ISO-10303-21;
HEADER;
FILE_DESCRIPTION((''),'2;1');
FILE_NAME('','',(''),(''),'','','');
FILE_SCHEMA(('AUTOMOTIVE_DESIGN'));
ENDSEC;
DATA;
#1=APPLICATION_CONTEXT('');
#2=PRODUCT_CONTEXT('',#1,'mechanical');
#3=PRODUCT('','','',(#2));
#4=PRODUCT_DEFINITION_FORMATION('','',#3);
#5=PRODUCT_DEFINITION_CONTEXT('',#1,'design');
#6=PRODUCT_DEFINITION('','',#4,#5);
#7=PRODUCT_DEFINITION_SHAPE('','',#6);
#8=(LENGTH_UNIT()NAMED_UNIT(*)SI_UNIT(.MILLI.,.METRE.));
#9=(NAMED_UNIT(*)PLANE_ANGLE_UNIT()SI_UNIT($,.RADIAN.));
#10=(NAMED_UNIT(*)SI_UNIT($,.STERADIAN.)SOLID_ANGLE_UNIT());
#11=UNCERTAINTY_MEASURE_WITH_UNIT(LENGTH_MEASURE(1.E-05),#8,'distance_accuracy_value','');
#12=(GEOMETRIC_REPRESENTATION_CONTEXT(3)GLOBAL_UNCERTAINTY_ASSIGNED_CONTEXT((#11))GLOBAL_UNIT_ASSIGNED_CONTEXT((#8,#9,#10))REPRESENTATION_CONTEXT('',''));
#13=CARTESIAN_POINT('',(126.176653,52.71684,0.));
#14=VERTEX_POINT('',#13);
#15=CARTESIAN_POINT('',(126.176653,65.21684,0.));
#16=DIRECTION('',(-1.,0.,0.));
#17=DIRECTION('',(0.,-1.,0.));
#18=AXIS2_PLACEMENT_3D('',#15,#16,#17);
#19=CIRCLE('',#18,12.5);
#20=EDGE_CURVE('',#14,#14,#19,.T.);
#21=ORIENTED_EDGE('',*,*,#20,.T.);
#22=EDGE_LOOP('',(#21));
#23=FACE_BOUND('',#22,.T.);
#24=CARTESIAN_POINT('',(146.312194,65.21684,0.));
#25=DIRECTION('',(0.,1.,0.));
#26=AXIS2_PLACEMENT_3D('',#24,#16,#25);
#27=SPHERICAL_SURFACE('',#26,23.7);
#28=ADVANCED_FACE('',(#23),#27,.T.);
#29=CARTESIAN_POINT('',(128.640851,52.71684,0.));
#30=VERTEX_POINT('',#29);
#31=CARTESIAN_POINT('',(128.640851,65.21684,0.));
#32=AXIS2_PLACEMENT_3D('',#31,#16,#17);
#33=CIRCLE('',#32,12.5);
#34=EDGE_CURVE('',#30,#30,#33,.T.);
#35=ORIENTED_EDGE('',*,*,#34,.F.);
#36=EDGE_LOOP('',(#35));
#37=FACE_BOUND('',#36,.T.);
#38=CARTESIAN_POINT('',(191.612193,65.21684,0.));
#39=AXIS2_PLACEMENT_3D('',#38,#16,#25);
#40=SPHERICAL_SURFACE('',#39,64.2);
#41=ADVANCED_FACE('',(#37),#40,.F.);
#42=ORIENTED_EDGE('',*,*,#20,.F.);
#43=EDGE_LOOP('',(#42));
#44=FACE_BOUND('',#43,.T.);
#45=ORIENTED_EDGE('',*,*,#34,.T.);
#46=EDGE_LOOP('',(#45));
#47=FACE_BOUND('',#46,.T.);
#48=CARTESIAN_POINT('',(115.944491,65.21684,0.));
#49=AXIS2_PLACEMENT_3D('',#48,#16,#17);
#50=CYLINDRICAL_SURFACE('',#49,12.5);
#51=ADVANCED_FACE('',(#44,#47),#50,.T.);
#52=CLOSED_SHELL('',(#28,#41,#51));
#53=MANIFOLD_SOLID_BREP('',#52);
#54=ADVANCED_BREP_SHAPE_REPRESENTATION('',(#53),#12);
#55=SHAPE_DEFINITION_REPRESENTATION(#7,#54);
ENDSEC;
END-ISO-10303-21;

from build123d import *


with BuildPart() as part:
    # 草图1 → 旋转1 (revolve)
    with BuildSketch(Plane.XY):
        with BuildLine():
            Line((128.640850795, 77.716840471), (126.176652981, 77.716840471))
            ThreePointArc((126.176652981, 77.716840471), (123.520722541, 71.715982145), (122.612193698, 65.216840471))
            Line((122.612193698, 65.216840471), (127.412193483, 65.216840471))
            ThreePointArc((127.412193483, 65.216840471), (127.720096161, 71.496959872), (128.640850795, 77.716840471))
        make_face()
    revolve(axis=Axis((115.944491298, 65.216840471, 0), (1, 0, 0)))


solid = part.part
